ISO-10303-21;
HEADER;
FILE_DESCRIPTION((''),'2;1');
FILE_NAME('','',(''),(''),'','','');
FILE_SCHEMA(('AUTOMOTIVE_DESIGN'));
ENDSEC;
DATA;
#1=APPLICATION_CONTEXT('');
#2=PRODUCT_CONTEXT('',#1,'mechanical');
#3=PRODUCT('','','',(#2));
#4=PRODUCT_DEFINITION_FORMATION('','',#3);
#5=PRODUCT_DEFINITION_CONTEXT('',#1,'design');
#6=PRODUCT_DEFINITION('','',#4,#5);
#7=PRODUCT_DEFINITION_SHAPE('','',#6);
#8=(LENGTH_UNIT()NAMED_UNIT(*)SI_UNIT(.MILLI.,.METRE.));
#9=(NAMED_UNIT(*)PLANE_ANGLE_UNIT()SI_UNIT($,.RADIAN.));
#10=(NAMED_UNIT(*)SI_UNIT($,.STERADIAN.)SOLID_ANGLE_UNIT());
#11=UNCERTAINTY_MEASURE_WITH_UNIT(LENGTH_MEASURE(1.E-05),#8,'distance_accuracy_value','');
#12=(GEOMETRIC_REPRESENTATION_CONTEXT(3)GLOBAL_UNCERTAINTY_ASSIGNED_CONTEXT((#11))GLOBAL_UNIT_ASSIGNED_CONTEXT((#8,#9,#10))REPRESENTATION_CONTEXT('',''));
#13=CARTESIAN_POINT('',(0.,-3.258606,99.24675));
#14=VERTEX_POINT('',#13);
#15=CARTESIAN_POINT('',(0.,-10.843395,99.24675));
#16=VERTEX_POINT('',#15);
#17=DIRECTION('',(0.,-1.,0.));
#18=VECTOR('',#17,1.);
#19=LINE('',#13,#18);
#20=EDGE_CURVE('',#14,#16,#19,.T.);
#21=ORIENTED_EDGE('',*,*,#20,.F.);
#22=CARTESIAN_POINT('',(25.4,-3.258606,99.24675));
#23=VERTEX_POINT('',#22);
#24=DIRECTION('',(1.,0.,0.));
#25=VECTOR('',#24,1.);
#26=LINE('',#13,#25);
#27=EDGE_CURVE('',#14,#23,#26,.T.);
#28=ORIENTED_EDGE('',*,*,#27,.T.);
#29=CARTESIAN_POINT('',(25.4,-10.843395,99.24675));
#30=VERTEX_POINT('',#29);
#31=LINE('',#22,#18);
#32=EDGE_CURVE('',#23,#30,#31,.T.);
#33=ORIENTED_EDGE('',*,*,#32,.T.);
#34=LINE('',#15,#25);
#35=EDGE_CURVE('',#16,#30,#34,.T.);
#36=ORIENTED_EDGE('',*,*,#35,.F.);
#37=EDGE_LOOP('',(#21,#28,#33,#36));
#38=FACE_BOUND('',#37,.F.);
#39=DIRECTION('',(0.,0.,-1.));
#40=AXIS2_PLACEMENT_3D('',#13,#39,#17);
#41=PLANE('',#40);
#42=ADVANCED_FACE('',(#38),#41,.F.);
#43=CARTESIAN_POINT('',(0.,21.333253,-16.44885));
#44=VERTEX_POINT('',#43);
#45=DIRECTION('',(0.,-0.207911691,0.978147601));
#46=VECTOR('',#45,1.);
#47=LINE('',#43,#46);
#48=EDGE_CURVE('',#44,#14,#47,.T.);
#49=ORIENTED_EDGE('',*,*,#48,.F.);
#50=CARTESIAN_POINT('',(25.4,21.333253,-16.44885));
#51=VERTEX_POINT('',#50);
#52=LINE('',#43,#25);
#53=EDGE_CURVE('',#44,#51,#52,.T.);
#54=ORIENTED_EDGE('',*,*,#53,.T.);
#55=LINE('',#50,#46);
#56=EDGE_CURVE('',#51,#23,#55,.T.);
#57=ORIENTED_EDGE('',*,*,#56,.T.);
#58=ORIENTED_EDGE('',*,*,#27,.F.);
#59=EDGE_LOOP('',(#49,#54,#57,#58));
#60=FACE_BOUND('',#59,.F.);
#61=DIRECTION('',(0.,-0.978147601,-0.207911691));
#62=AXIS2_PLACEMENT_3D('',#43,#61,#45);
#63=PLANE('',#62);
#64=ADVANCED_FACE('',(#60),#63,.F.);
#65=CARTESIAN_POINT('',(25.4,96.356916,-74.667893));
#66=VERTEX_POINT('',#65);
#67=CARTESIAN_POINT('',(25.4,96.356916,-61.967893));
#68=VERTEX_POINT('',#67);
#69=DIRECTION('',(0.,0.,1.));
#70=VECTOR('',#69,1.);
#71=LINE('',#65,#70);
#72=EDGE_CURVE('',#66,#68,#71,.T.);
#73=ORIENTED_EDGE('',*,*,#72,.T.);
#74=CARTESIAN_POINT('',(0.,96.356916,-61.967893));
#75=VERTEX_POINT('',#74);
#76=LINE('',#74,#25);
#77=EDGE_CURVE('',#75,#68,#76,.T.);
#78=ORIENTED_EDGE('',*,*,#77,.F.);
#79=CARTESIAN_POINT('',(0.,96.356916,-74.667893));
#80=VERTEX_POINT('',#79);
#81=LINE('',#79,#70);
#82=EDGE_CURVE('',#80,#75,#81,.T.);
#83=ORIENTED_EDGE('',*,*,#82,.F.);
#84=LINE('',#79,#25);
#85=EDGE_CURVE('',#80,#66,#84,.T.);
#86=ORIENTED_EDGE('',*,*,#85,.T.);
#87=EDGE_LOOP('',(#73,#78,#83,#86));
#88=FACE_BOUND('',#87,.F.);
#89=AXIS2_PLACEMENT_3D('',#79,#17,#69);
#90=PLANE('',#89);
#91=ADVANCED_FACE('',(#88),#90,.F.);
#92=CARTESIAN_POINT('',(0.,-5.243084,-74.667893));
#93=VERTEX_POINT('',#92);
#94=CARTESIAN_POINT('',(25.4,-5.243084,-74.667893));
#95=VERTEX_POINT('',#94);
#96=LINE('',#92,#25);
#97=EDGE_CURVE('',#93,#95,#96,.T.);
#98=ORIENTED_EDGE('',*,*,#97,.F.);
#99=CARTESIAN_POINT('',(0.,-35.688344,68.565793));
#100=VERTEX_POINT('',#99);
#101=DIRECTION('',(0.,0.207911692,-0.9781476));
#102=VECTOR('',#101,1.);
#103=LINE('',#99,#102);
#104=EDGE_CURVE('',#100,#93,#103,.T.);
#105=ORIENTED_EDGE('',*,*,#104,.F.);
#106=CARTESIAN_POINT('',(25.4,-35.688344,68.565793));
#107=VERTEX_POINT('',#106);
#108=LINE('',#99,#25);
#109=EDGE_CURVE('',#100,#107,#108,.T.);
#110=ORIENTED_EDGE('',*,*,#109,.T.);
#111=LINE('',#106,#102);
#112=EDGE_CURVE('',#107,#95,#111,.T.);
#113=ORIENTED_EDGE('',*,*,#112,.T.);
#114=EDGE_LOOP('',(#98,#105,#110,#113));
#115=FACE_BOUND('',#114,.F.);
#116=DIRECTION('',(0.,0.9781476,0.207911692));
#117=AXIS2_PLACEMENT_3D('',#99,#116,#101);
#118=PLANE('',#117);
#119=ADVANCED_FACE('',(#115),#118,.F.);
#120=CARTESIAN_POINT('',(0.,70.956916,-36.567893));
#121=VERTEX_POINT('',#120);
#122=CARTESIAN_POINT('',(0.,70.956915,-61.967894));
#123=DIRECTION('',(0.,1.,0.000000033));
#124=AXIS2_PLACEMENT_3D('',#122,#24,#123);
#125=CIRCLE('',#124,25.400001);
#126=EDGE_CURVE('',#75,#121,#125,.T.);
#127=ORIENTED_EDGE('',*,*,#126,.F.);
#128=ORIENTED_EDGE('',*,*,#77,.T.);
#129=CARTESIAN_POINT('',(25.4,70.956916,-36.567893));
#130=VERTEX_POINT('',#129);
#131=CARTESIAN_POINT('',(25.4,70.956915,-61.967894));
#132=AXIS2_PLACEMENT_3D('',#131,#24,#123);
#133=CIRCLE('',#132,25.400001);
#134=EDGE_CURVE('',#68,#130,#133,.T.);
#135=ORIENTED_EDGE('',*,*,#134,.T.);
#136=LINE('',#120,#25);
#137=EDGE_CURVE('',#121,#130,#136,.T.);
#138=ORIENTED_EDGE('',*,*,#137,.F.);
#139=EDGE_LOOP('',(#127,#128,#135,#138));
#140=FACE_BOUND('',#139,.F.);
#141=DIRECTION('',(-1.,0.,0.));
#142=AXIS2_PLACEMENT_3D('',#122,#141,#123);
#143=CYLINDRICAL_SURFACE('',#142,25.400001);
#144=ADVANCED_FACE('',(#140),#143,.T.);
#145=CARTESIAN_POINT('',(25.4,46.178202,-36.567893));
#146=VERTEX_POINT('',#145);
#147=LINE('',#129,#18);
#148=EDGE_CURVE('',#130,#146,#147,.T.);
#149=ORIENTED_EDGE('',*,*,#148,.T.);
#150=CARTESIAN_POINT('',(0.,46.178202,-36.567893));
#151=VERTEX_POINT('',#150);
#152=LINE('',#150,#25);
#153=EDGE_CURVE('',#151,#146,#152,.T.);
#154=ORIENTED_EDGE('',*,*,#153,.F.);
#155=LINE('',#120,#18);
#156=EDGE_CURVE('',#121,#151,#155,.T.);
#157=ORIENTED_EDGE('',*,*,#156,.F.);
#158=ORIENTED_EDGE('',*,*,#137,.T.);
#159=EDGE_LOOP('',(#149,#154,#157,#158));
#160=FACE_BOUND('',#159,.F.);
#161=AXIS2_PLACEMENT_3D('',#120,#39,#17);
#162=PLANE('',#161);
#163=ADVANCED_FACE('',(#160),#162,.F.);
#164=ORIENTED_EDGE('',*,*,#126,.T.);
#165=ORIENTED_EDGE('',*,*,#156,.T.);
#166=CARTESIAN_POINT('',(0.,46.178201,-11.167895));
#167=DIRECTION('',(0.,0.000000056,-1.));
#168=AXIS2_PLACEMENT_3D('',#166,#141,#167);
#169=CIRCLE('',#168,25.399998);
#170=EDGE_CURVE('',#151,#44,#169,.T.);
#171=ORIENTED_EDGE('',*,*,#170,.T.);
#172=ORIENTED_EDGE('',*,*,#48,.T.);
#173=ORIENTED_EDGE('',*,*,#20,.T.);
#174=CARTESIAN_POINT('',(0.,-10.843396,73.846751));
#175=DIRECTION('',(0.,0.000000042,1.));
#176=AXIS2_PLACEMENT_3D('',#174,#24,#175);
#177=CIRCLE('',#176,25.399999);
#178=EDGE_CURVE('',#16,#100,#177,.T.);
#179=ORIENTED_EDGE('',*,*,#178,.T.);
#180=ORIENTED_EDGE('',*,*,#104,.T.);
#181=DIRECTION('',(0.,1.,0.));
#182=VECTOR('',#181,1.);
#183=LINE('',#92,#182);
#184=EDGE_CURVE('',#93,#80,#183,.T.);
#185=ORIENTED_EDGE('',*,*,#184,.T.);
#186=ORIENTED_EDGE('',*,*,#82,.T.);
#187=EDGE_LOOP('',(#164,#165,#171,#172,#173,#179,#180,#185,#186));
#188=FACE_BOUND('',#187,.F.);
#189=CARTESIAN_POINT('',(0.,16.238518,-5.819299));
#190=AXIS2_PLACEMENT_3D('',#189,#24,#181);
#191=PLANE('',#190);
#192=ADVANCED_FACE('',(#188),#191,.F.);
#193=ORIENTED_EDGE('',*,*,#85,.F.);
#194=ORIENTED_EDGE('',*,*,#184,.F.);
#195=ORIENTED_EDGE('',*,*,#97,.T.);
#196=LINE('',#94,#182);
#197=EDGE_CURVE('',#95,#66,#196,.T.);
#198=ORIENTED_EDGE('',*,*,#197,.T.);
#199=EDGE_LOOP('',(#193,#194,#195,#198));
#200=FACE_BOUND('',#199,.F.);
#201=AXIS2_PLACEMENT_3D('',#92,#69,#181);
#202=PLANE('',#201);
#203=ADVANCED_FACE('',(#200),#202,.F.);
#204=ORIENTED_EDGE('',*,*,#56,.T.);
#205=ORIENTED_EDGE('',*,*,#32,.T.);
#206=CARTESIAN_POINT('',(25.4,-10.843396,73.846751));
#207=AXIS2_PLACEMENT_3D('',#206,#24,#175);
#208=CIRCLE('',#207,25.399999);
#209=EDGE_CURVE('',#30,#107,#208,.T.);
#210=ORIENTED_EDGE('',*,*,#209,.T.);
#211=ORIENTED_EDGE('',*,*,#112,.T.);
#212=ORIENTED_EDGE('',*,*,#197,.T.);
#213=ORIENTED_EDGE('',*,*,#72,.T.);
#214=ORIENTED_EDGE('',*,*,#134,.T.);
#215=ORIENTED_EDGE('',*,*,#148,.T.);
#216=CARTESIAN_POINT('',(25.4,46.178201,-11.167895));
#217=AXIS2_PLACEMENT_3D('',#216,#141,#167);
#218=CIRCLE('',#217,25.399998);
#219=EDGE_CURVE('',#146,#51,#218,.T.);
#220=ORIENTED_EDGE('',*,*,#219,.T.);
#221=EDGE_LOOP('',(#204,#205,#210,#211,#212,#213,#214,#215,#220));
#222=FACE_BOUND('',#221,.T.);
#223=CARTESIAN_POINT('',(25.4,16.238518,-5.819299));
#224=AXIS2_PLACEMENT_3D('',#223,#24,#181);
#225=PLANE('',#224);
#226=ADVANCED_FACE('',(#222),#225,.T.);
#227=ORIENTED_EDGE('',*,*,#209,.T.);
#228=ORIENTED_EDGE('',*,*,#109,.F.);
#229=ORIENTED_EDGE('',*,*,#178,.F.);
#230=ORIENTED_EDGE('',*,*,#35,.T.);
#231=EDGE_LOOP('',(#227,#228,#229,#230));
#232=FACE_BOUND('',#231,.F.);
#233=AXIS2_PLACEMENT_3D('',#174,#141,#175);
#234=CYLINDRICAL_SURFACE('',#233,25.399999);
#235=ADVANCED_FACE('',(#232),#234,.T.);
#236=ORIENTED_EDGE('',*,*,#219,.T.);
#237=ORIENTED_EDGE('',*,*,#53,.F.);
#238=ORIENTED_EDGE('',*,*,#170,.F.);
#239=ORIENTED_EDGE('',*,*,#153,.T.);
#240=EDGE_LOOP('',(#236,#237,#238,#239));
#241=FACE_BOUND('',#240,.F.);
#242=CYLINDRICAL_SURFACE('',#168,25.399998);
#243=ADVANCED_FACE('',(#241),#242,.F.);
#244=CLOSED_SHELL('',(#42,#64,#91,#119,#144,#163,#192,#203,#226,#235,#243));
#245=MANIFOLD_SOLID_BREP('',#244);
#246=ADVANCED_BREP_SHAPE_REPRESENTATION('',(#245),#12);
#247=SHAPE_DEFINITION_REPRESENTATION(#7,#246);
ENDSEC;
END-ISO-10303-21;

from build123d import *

# Parameters (mm, degrees)
F1_DEPTH = 25.4


with BuildPart() as f1:
    # F0 (on Right) → F1 (new body)
    with BuildSketch(Plane.YZ):
        with BuildLine():
            ThreePointArc((-10.843395, 99.24675), (-30.582903, 89.831488), (-35.688344, 68.565793))
            Line((-35.688344, 68.565793), (-5.243084, -74.667893))
            Line((-5.243084, -74.667893), (96.356916, -74.667893))
            Line((96.356916, -74.667893), (96.356916, -61.967893))
            ThreePointArc((96.356916, -61.967893), (88.917428, -44.007381), (70.956916, -36.567893))
            Line((70.956916, -36.567893), (46.178202, -36.567893))
            ThreePointArc((46.178202, -36.567893), (30.193464, -30.907401), (21.333253, -16.44885))
            Line((21.333253, -16.44885), (-3.258606, 99.24675))
            Line((-3.258606, 99.24675), (-10.843395, 99.24675))
        make_face()
    extrude(amount=F1_DEPTH)


solid = f1.part
